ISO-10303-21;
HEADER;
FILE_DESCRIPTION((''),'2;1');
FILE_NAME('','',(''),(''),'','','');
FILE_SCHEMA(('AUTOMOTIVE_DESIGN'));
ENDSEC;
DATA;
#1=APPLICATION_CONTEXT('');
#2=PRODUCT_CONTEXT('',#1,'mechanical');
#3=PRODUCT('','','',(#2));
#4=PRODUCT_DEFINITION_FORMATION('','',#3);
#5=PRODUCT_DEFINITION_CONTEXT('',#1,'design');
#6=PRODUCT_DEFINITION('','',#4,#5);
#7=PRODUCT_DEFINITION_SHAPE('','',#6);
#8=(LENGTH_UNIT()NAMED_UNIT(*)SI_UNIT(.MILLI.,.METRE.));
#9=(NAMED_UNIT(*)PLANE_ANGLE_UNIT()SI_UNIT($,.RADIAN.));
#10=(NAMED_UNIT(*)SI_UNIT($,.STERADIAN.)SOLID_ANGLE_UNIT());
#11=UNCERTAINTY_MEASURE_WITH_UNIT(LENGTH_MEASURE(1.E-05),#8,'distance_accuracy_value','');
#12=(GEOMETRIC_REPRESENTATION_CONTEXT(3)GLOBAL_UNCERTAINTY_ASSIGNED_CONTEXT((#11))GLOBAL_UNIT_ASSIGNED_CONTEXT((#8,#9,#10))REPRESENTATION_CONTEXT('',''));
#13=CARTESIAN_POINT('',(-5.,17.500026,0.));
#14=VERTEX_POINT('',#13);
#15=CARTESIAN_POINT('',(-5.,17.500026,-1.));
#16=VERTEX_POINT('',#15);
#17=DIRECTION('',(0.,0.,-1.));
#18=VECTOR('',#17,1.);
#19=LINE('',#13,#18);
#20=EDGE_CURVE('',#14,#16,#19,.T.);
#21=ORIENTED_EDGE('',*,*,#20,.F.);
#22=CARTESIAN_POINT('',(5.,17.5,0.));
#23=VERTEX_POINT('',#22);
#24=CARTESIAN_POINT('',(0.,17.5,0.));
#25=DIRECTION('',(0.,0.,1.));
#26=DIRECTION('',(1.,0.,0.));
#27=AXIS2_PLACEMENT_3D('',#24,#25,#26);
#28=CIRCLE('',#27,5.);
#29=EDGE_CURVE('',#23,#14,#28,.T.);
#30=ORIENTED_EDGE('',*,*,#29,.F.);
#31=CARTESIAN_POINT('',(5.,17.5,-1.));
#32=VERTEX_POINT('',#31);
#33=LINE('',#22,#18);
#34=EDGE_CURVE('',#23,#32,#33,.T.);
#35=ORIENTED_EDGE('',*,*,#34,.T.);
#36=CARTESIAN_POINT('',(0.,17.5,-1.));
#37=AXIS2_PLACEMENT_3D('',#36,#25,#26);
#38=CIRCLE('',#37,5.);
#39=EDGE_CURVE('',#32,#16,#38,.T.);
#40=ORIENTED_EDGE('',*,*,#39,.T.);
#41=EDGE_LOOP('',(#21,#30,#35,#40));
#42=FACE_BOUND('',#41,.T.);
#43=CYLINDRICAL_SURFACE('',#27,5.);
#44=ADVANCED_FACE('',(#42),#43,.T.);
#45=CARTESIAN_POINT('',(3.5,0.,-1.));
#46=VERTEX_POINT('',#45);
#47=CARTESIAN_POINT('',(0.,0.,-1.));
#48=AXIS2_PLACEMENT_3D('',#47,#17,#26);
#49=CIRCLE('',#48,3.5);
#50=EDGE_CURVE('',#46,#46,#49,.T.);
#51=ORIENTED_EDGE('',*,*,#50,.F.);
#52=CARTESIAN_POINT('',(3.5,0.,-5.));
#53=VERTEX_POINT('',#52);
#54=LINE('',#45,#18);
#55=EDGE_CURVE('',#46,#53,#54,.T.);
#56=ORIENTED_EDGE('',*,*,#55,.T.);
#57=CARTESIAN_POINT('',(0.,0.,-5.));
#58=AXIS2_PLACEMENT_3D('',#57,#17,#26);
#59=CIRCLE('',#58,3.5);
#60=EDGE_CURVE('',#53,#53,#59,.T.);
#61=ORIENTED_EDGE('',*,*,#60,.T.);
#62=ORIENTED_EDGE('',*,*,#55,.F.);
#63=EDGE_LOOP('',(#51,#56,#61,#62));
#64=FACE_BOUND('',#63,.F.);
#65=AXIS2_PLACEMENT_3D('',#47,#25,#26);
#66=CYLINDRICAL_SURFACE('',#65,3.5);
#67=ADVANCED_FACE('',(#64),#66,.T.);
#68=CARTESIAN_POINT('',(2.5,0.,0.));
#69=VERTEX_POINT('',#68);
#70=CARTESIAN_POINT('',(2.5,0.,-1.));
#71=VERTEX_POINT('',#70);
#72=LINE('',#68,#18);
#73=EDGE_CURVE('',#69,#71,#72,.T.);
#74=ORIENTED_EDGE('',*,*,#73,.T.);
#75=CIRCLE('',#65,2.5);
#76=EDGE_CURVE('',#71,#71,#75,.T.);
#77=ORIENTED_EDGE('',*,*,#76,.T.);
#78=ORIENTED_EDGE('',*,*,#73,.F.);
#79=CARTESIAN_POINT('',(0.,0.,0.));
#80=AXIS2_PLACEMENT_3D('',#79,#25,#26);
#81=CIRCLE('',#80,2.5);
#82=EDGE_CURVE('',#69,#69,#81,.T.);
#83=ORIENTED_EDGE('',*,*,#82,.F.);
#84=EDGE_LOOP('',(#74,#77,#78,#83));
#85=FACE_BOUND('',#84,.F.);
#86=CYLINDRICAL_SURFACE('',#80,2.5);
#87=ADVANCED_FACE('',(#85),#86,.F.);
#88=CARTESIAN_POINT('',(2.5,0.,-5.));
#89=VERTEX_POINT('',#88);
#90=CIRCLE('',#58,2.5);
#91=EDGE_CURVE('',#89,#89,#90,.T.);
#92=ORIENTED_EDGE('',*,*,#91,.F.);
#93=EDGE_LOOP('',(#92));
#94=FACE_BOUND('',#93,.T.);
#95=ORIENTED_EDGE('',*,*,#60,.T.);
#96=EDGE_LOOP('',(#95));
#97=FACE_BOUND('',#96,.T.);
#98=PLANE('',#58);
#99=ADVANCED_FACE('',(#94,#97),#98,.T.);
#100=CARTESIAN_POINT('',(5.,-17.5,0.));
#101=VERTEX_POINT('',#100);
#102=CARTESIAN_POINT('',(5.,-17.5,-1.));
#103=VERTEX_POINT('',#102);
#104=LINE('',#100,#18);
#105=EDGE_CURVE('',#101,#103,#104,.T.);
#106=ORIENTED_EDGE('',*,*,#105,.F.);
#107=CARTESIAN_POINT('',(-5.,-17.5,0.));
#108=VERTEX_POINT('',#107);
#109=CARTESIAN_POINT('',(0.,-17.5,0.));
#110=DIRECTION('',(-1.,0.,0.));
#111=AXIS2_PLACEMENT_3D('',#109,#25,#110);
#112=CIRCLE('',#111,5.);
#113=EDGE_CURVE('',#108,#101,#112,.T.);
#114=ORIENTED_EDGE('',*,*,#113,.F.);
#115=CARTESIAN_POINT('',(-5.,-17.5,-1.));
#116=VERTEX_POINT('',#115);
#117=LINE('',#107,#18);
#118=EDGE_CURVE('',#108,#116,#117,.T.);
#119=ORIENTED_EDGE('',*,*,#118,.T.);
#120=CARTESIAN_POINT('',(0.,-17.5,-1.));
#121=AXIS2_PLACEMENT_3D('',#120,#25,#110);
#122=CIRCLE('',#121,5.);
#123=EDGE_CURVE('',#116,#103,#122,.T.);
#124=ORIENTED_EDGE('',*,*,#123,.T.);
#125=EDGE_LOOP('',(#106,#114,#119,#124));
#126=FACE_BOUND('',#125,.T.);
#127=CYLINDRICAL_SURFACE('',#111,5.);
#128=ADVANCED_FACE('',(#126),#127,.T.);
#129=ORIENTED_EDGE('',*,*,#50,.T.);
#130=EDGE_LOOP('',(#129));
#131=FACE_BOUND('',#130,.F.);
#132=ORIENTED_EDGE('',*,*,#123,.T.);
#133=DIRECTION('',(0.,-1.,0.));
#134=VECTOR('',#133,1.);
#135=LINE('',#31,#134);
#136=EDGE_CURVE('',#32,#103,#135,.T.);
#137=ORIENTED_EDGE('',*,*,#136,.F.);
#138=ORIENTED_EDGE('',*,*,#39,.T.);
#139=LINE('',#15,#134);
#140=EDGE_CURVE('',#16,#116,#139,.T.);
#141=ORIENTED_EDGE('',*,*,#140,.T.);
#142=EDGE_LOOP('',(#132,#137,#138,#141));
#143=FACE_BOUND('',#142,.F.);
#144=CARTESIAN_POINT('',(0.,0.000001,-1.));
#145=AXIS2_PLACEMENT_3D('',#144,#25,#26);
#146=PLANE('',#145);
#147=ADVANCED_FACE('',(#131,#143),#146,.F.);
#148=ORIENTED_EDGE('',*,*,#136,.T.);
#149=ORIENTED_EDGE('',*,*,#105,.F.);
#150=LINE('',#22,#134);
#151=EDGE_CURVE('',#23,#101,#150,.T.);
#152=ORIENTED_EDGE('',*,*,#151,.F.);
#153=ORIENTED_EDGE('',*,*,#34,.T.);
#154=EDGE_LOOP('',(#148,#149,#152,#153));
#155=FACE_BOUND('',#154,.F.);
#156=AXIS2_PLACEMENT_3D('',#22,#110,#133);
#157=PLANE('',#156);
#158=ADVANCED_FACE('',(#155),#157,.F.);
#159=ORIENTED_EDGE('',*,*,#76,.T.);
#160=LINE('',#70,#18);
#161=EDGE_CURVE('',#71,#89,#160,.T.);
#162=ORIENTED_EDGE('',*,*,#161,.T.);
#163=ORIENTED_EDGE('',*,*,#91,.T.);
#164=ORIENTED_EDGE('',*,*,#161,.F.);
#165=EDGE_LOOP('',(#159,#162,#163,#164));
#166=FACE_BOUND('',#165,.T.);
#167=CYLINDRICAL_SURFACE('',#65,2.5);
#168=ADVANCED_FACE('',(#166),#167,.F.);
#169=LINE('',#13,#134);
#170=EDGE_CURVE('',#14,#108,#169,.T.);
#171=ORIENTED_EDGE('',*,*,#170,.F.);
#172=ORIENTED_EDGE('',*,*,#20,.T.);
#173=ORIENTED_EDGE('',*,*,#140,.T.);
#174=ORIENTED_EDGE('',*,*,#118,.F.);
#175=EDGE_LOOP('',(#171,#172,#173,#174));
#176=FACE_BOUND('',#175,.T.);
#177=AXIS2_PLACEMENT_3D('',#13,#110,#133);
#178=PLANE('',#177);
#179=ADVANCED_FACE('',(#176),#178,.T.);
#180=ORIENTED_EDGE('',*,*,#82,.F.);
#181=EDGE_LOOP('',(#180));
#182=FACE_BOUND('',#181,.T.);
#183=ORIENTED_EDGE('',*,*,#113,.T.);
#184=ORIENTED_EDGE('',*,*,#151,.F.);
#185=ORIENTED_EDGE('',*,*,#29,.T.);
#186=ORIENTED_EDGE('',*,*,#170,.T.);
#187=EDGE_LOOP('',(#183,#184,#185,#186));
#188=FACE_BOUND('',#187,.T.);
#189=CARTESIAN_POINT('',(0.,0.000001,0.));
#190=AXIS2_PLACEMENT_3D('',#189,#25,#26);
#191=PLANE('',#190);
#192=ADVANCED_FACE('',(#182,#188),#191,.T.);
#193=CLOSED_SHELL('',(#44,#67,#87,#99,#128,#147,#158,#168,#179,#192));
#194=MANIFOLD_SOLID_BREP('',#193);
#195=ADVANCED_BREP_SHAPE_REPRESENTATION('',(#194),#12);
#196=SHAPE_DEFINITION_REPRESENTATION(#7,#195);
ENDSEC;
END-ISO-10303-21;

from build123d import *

# Parameters (mm, degrees)
SKETCH_R      = 2.5
PAD_DEPTH     = 1
SKETCH001_R   = 3.5
SKETCH001_R_2 = 2.5
PAD001_DEPTH  = 4


with BuildPart() as part:
    # Sketch → Pad (new body)
    with BuildSketch(Plane.XY):
        with BuildLine():
            ThreePointArc((5, 17.5), (1.3e-05, 22.5), (-5, 17.500026))
            Line((-5, 17.500026), (-5, -17.5))
            ThreePointArc((-5, -17.5), (0, -22.5), (5, -17.5))
            Line((5, 17.5), (5, -17.5))
        make_face()
        Circle(SKETCH_R, mode=Mode.SUBTRACT)
    extrude(amount=-PAD_DEPTH)

    # Sketch001 (on Face7 of Pad) → Pad001 (join)
    with BuildSketch(Plane(origin=(0, 0, -1), x_dir=(1, 0, 0), z_dir=(0, 0, -1))):
        Circle(SKETCH001_R)
        Circle(SKETCH001_R_2, mode=Mode.SUBTRACT)
    extrude(amount=PAD001_DEPTH)


solid = part.part
